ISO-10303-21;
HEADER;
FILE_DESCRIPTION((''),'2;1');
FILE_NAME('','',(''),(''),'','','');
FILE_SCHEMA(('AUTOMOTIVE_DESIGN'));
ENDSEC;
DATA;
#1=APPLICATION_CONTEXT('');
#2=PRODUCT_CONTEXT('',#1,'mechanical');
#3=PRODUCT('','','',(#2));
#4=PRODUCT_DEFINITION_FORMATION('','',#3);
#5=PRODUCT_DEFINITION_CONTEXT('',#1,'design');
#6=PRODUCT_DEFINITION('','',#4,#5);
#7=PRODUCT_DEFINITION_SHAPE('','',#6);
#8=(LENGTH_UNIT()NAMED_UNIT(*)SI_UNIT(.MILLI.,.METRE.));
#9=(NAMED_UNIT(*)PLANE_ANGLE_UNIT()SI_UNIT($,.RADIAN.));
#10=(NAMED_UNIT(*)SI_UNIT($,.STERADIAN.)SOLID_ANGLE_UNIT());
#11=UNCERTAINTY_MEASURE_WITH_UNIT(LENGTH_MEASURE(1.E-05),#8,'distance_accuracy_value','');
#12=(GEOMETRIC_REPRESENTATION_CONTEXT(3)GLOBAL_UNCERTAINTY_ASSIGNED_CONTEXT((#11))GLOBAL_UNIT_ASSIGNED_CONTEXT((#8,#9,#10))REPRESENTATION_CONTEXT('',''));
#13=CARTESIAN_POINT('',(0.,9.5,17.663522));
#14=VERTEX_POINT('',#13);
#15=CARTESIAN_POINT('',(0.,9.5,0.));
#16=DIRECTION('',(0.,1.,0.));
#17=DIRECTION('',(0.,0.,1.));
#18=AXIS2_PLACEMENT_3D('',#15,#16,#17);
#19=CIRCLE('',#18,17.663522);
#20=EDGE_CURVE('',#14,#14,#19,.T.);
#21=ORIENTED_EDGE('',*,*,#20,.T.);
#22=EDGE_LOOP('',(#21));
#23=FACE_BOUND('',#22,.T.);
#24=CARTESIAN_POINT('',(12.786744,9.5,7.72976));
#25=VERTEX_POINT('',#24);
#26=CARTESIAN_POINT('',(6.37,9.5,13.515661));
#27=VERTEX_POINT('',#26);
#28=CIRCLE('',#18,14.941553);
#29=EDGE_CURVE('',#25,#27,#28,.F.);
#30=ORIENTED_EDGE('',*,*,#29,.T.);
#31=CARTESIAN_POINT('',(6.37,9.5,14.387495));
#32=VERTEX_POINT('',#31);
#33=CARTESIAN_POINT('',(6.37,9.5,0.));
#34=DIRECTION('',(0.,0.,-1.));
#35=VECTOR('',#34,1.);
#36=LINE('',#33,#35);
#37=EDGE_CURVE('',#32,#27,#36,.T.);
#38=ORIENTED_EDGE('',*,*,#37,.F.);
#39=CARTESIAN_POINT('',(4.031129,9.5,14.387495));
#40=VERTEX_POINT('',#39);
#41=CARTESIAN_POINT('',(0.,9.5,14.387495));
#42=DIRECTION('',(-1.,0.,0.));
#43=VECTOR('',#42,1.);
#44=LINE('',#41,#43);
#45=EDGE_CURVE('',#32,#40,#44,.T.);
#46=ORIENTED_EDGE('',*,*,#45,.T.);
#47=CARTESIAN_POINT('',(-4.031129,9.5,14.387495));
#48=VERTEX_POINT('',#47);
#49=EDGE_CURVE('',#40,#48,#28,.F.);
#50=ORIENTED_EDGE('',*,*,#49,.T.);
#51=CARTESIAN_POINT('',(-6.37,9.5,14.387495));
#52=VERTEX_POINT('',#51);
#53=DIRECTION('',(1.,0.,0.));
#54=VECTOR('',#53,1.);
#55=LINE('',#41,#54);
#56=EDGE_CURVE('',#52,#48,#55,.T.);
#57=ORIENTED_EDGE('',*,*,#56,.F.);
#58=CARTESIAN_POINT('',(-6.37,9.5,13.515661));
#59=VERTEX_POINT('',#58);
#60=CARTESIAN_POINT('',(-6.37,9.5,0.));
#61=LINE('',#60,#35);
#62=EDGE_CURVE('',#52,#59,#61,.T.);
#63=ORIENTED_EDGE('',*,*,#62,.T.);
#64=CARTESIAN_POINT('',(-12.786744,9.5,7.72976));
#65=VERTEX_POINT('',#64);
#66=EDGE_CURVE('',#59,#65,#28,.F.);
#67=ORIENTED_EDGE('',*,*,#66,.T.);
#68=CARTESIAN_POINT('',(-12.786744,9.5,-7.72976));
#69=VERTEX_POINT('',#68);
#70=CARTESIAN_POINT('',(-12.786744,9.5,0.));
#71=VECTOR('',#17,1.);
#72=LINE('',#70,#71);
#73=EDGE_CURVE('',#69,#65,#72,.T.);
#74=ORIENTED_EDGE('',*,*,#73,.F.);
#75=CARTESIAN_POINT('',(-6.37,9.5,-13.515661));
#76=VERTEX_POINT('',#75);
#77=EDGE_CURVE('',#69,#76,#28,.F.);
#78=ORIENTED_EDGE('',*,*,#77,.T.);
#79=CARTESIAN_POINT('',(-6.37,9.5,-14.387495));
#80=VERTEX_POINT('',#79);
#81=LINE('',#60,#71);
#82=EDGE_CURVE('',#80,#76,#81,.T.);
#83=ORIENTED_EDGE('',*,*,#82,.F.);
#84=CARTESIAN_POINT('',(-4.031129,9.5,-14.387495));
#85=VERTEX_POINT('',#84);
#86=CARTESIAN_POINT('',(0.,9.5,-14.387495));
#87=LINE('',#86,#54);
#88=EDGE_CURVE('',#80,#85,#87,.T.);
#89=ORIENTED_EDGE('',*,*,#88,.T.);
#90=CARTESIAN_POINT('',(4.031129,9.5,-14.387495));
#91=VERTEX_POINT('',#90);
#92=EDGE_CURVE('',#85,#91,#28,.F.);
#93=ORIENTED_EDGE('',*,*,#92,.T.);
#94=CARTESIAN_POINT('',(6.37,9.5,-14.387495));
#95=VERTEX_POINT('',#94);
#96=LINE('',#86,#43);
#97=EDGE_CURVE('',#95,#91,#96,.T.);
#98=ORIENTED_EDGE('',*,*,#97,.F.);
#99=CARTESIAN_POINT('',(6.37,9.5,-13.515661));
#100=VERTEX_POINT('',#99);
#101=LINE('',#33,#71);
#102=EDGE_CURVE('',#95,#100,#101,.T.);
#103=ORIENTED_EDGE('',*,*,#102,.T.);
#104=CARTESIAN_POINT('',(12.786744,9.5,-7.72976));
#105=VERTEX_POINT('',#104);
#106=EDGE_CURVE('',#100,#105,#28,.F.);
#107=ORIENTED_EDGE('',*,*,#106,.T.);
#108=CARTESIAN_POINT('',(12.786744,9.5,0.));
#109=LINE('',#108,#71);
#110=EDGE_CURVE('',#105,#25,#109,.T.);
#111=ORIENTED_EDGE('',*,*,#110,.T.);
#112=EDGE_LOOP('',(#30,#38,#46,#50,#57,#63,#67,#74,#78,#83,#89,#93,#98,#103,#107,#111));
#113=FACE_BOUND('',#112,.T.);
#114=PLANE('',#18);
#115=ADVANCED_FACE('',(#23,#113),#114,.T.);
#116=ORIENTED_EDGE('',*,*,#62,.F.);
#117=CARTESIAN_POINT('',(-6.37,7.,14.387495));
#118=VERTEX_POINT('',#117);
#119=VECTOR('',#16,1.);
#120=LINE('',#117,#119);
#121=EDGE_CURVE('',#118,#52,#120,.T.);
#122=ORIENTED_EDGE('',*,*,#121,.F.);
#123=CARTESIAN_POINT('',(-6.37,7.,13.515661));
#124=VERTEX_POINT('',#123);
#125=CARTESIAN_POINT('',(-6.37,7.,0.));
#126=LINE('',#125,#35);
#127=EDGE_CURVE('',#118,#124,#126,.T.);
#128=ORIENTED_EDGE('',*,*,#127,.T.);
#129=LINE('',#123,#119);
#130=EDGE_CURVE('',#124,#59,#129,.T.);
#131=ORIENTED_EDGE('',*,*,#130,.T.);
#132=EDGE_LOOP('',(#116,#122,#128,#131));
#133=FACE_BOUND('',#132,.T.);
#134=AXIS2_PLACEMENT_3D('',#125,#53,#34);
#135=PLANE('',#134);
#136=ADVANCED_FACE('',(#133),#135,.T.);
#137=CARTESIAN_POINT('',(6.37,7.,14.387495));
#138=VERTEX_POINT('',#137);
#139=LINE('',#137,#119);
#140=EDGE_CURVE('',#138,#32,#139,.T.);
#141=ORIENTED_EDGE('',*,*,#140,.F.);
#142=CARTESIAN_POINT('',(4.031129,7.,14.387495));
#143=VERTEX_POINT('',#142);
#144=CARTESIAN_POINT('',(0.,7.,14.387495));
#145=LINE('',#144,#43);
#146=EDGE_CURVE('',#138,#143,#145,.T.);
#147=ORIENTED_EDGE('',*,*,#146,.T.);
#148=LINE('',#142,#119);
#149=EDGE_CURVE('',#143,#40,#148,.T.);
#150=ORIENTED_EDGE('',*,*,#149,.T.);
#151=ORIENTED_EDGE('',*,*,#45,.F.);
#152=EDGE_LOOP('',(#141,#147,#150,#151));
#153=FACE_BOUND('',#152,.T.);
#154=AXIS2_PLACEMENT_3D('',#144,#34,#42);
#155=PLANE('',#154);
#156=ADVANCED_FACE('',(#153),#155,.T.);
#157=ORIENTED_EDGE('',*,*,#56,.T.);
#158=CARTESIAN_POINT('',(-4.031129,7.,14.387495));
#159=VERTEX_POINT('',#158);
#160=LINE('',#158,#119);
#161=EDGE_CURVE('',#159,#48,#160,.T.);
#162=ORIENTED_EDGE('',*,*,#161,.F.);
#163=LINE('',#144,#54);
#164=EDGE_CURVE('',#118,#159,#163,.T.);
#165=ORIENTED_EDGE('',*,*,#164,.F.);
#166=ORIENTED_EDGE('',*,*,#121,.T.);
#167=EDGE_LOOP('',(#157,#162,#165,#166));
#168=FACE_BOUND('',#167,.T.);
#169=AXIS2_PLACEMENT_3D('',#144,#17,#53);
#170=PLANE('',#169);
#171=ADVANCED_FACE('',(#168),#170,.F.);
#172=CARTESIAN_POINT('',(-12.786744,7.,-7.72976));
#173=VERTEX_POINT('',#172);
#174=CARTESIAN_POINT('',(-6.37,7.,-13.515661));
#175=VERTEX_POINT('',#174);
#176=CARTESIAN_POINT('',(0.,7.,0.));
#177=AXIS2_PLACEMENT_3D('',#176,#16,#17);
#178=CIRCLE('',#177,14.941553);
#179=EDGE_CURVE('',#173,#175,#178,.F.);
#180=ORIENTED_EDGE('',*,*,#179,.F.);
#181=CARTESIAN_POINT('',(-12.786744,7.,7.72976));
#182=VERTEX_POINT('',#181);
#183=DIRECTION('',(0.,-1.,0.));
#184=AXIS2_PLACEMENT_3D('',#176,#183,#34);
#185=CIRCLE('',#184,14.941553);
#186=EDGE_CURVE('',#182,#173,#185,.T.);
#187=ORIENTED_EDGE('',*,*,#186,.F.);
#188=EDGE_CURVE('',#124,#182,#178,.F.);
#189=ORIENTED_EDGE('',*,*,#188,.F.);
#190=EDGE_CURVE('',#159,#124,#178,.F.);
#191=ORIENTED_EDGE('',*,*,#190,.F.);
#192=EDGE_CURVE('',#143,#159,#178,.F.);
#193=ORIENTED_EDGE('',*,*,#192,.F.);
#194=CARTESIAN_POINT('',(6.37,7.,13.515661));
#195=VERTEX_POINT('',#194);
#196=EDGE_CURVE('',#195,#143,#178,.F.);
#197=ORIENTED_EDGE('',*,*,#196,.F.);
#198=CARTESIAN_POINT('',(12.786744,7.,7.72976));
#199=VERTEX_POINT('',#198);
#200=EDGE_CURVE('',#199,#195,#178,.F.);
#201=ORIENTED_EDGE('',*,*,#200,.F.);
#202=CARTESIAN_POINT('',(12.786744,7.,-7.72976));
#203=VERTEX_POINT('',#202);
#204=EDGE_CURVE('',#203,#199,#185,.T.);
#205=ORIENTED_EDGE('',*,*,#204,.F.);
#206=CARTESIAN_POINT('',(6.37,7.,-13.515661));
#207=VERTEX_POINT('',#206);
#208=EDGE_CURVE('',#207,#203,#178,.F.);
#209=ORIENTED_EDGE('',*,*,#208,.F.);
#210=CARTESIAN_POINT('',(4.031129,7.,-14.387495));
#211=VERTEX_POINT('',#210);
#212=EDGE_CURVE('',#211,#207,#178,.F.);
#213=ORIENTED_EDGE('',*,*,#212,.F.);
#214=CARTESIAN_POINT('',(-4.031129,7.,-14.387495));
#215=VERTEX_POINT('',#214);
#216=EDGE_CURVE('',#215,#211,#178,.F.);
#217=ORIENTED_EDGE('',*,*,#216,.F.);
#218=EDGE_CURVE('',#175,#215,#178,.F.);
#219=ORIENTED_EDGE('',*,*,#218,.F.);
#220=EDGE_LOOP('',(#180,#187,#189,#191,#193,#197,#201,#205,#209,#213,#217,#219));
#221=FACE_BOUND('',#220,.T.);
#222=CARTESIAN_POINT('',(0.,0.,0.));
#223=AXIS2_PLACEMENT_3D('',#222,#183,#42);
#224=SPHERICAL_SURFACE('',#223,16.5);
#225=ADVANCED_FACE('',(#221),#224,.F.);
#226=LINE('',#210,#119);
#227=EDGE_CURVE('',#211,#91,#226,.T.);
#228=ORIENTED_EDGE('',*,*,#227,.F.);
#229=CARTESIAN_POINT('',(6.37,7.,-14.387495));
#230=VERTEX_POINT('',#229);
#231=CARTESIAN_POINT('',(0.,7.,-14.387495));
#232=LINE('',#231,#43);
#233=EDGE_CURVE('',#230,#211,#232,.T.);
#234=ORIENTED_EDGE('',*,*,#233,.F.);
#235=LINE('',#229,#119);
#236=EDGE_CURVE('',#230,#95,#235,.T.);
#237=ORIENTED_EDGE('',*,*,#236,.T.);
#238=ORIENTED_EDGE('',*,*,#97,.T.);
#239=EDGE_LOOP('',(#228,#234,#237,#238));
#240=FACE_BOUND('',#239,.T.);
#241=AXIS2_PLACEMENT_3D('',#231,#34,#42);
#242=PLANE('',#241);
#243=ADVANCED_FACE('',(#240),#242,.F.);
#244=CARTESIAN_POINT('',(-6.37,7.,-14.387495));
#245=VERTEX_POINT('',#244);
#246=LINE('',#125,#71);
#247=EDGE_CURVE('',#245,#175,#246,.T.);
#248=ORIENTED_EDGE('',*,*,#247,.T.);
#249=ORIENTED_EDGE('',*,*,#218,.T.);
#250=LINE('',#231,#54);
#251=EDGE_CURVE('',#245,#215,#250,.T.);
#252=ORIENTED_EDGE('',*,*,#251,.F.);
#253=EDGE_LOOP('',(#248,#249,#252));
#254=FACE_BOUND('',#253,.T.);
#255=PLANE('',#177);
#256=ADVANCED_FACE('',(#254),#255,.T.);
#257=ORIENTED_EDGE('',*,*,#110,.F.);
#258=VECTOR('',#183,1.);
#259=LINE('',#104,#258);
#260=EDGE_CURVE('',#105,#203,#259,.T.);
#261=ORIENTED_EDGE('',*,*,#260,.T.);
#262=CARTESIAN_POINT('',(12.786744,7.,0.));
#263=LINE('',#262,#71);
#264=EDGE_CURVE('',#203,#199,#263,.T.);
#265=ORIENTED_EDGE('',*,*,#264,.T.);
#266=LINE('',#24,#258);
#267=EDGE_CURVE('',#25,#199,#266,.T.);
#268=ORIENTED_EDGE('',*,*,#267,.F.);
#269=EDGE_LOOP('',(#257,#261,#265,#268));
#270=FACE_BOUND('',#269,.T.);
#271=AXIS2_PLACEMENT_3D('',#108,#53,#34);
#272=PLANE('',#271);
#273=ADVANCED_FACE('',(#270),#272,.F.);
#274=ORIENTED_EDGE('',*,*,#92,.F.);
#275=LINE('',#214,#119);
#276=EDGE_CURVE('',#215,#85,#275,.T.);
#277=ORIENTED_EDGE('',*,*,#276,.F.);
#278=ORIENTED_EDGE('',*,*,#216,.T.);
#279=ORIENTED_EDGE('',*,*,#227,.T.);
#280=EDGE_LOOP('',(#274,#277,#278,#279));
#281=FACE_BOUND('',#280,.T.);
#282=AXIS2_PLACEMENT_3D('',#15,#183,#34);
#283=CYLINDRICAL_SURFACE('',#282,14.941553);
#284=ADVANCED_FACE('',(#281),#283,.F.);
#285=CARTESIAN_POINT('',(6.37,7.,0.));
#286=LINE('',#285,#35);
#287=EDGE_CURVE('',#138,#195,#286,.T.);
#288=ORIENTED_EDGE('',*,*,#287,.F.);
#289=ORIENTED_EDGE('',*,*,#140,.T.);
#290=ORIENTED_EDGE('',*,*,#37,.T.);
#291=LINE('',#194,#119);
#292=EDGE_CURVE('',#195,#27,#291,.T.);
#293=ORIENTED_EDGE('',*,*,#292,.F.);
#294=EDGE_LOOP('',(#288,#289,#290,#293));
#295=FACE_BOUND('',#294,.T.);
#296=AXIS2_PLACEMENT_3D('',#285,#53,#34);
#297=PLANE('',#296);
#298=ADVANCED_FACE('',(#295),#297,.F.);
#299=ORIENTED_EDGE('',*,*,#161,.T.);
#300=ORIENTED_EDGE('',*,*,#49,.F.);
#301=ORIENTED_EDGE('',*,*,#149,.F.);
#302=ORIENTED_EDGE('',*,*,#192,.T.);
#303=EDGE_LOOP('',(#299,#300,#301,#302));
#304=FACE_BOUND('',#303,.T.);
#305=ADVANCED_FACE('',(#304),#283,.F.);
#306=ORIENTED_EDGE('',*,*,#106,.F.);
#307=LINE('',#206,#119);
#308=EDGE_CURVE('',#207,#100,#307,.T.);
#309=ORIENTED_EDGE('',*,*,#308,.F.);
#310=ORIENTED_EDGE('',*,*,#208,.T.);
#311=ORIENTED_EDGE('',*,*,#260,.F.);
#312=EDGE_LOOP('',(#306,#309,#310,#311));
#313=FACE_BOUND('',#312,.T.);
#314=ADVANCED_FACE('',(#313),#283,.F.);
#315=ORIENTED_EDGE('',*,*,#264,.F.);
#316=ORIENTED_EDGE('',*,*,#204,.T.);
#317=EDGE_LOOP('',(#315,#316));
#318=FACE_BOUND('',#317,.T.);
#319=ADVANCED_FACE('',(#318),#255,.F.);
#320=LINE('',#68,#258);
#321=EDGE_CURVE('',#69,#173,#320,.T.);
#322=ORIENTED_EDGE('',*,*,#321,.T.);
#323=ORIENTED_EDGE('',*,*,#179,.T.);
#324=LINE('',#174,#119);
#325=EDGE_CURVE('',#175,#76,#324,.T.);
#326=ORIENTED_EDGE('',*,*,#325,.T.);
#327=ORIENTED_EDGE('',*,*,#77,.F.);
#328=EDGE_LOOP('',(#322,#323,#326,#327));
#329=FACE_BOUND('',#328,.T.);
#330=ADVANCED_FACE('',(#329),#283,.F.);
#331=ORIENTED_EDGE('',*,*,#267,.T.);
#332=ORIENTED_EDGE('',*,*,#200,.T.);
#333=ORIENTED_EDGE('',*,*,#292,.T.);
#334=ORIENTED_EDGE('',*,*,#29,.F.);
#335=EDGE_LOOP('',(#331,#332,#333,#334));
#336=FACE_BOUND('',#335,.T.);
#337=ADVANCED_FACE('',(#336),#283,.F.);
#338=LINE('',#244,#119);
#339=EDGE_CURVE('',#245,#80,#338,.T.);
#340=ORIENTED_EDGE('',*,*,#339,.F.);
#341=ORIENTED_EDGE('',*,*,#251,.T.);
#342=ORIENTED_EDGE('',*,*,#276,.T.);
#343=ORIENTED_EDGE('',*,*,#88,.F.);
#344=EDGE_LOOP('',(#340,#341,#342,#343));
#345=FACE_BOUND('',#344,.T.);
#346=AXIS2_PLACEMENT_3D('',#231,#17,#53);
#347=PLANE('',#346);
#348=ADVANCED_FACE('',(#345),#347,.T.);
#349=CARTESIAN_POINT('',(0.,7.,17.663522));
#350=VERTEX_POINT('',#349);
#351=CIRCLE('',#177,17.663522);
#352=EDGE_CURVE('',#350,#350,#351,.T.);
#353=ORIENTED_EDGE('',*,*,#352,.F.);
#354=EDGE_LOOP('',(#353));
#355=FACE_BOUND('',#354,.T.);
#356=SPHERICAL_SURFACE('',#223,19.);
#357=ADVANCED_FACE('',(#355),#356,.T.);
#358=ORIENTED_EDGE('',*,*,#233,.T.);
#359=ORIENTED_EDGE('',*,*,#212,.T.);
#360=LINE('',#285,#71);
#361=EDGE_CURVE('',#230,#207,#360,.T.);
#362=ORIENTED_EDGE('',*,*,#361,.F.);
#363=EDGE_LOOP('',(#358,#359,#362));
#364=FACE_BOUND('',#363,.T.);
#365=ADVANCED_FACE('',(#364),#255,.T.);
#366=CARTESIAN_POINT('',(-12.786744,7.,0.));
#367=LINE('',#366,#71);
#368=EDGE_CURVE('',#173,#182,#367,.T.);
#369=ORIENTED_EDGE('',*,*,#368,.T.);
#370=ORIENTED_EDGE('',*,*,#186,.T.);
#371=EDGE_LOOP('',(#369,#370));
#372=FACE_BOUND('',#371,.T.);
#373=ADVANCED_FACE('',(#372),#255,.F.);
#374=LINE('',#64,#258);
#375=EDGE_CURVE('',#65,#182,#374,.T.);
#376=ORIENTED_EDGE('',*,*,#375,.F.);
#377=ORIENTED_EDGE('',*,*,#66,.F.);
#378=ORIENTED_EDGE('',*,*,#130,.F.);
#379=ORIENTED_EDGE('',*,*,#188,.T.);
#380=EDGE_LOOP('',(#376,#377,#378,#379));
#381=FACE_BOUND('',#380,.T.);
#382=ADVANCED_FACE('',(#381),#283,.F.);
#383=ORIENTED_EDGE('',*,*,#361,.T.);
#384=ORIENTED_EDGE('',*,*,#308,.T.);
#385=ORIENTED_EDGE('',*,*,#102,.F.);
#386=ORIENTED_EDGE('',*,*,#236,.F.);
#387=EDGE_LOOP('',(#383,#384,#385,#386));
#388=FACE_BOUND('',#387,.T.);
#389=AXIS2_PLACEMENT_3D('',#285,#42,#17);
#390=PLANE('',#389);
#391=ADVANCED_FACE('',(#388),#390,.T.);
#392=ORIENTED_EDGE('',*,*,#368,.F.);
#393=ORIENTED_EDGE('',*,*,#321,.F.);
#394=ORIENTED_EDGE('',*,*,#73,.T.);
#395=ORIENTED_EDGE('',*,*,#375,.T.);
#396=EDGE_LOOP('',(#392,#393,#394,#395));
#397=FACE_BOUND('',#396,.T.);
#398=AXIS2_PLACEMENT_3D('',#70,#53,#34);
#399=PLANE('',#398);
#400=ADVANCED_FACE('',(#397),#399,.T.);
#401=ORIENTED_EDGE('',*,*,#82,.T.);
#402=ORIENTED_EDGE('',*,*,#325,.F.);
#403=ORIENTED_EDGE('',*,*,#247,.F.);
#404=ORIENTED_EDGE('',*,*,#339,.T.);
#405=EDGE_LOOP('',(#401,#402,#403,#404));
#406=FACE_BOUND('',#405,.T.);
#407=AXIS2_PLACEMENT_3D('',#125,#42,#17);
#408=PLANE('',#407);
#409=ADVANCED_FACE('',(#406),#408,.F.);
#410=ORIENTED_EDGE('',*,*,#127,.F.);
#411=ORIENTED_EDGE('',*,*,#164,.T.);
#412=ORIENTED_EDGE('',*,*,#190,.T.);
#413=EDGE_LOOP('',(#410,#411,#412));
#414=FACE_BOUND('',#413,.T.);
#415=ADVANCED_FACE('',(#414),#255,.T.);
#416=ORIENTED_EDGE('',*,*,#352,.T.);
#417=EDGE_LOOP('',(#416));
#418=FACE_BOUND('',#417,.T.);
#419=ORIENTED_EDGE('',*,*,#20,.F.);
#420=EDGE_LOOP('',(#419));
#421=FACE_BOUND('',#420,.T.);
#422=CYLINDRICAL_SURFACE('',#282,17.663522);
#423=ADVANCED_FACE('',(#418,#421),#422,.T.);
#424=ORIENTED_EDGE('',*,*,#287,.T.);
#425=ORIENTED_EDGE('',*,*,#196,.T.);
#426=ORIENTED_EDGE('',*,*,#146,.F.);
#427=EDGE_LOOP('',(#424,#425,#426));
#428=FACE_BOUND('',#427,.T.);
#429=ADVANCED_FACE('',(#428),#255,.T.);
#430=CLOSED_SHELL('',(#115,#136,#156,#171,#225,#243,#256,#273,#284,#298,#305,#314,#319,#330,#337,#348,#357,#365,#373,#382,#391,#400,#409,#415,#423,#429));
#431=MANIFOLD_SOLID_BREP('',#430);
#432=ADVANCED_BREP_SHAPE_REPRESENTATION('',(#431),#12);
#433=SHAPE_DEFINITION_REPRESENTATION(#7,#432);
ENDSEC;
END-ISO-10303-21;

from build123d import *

# Parameters (mm, degrees)
BOSS_EXTRUDE1_DEPTH = 2.5
CUT_EXTRUDE1_DEPTH  = 2.5


with BuildPart() as part:
    # Sketch1 one side → Revolve2 (revolve)
    with BuildSketch(Plane.XY):
        with BuildLine():
            ThreePointArc((0, -16.5), (-13.923900316, -8.852965605), (-14.941552797, 7))
            Line((-14.941552797, 7), (-17.663521733, 7))
            ThreePointArc((-17.663521733, 7), (-15.716233646, -10.677078252), (0, -19))
            Line((0, -19), (0, -16.5))
        make_face()
    revolve(axis=Axis((0, -16.5, 0), (0, 1, 0)))

    # Sketch2 → Boss-Extrude1 (add)
    with BuildSketch(Plane(origin=(0, 7, 0), x_dir=(1, 0, 0), z_dir=(0, 1, 0))):
        with BuildLine():
            ThreePointArc((17.663521733, 0), (16.399068955, 6.562814748), (12.786743696, 12.186024194))
            Line((12.786743696, 12.186024194), (12.786743696, 7.729759741))
            ThreePointArc((12.786743696, 7.729759741), (14.392772597, 4.012243385), (14.941552797, 0))
            ThreePointArc((14.941552797, 0), (14.392772597, -4.012243385), (12.786743696, -7.729759741))
            Line((12.786743696, -7.729759741), (12.786743696, -12.186024194))
            ThreePointArc((12.786743696, -12.186024194), (16.399068955, -6.562814748), (17.663521733, 0))
        make_face()
        with BuildLine():
            ThreePointArc((14.941552797, 0), (14.392772597, 4.012243385), (12.786743696, 7.729759741))
            Line((12.786743696, 7.729759741), (12.786743696, -7.729759741))
            ThreePointArc((12.786743696, -7.729759741), (14.392772597, -4.012243385), (14.941552797, 0))
        make_face()
        with BuildLine():
            Line((-12.786743696, 7.729759741), (-12.786743696, 12.186024194))
            ThreePointArc((-12.786743696, 12.186024194), (-17.663521733, 0), (-12.786743696, -12.186024194))
            Line((-12.786743696, -12.186024194), (-12.786743696, -7.729759741))
            ThreePointArc((-12.786743696, -7.729759741), (-14.941552797, 0), (-12.786743696, 7.729759741))
        make_face()
        with BuildLine():
            Line((-12.786743696, -7.729759741), (-12.786743696, 7.729759741))
            ThreePointArc((-12.786743696, 7.729759741), (-14.941552797, 0), (-12.786743696, -7.729759741))
        make_face()
        with BuildLine():
            Line((8.645855328, 12.186024194), (12.786743696, 12.186024194))
            ThreePointArc((12.786743696, 12.186024194), (0, 17.663521733), (-12.786743696, 12.186024194))
            Line((-12.786743696, 12.186024194), (-8.645855328, 12.186024194))
            ThreePointArc((-8.645855328, 12.186024194), (0, 14.941552797), (8.645855328, 12.186024194))
        make_face()
        with BuildLine():
            Line((12.786743696, 7.729759741), (12.786743696, 12.186024194))
            Line((12.786743696, 12.186024194), (8.645855328, 12.186024194))
            ThreePointArc((8.645855328, 12.186024194), (10.9454853, 10.170857955), (12.786743696, 7.729759741))
        make_face()
        with BuildLine():
            Line((-8.645855328, 12.186024194), (-12.786743696, 12.186024194))
            Line((-12.786743696, 12.186024194), (-12.786743696, 7.729759741))
            ThreePointArc((-12.786743696, 7.729759741), (-10.9454853, 10.170857955), (-8.645855328, 12.186024194))
        make_face()
        with BuildLine():
            Line((-12.786743696, -7.729759741), (-12.786743696, -12.186024194))
            Line((-12.786743696, -12.186024194), (-8.645855328, -12.186024194))
            ThreePointArc((-8.645855328, -12.186024194), (-10.9454853, -10.170857955), (-12.786743696, -7.729759741))
        make_face()
        with BuildLine():
            Line((12.786743696, -12.186024194), (12.786743696, -7.729759741))
            ThreePointArc((12.786743696, -7.729759741), (10.9454853, -10.170857955), (8.645855328, -12.186024194))
            Line((8.645855328, -12.186024194), (12.786743696, -12.186024194))
        make_face()
        with BuildLine():
            ThreePointArc((-12.786743696, -12.186024194), (0, -17.663521733), (12.786743696, -12.186024194))
            Line((12.786743696, -12.186024194), (8.645855328, -12.186024194))
            ThreePointArc((8.645855328, -12.186024194), (0, -14.941552797), (-8.645855328, -12.186024194))
            Line((-8.645855328, -12.186024194), (-12.786743696, -12.186024194))
        make_face()
    extrude(amount=BOSS_EXTRUDE1_DEPTH)

    # Sketch3 → Cut-Extrude1 (cut)
    with BuildSketch(Plane(origin=(0, 9.5, 0), x_dir=(1, 0, 0), z_dir=(0, 1, 0))):
        with BuildLine():
            Line((-6.37, 14.38749457), (-6.37, 13.515661286))
            ThreePointArc((-6.37, 13.515661286), (-5.218801949, 14.000503784), (-4.031128874, 14.38749457))
            Line((-4.031128874, 14.38749457), (-6.37, 14.38749457))
        make_face()
        with BuildLine():
            Line((6.37, 14.38749457), (4.031128874, 14.38749457))
            ThreePointArc((4.031128874, 14.38749457), (5.218801949, 14.000503784), (6.37, 13.515661286))
            Line((6.37, 13.515661286), (6.37, 14.38749457))
        make_face()
        with BuildLine():
            ThreePointArc((6.37, -13.515661286), (5.218801949, -14.000503784), (4.031128874, -14.38749457))
            Line((4.031128874, -14.38749457), (6.37, -14.38749457))
            Line((6.37, -14.38749457), (6.37, -13.515661286))
        make_face()
        with BuildLine():
            Line((-6.37, -13.515661286), (-6.37, -14.38749457))
            Line((-6.37, -14.38749457), (-4.031128874, -14.38749457))
            ThreePointArc((-4.031128874, -14.38749457), (-5.218801949, -14.000503784), (-6.37, -13.515661286))
        make_face()
    extrude(amount=-CUT_EXTRUDE1_DEPTH, mode=Mode.SUBTRACT)


solid = part.part
